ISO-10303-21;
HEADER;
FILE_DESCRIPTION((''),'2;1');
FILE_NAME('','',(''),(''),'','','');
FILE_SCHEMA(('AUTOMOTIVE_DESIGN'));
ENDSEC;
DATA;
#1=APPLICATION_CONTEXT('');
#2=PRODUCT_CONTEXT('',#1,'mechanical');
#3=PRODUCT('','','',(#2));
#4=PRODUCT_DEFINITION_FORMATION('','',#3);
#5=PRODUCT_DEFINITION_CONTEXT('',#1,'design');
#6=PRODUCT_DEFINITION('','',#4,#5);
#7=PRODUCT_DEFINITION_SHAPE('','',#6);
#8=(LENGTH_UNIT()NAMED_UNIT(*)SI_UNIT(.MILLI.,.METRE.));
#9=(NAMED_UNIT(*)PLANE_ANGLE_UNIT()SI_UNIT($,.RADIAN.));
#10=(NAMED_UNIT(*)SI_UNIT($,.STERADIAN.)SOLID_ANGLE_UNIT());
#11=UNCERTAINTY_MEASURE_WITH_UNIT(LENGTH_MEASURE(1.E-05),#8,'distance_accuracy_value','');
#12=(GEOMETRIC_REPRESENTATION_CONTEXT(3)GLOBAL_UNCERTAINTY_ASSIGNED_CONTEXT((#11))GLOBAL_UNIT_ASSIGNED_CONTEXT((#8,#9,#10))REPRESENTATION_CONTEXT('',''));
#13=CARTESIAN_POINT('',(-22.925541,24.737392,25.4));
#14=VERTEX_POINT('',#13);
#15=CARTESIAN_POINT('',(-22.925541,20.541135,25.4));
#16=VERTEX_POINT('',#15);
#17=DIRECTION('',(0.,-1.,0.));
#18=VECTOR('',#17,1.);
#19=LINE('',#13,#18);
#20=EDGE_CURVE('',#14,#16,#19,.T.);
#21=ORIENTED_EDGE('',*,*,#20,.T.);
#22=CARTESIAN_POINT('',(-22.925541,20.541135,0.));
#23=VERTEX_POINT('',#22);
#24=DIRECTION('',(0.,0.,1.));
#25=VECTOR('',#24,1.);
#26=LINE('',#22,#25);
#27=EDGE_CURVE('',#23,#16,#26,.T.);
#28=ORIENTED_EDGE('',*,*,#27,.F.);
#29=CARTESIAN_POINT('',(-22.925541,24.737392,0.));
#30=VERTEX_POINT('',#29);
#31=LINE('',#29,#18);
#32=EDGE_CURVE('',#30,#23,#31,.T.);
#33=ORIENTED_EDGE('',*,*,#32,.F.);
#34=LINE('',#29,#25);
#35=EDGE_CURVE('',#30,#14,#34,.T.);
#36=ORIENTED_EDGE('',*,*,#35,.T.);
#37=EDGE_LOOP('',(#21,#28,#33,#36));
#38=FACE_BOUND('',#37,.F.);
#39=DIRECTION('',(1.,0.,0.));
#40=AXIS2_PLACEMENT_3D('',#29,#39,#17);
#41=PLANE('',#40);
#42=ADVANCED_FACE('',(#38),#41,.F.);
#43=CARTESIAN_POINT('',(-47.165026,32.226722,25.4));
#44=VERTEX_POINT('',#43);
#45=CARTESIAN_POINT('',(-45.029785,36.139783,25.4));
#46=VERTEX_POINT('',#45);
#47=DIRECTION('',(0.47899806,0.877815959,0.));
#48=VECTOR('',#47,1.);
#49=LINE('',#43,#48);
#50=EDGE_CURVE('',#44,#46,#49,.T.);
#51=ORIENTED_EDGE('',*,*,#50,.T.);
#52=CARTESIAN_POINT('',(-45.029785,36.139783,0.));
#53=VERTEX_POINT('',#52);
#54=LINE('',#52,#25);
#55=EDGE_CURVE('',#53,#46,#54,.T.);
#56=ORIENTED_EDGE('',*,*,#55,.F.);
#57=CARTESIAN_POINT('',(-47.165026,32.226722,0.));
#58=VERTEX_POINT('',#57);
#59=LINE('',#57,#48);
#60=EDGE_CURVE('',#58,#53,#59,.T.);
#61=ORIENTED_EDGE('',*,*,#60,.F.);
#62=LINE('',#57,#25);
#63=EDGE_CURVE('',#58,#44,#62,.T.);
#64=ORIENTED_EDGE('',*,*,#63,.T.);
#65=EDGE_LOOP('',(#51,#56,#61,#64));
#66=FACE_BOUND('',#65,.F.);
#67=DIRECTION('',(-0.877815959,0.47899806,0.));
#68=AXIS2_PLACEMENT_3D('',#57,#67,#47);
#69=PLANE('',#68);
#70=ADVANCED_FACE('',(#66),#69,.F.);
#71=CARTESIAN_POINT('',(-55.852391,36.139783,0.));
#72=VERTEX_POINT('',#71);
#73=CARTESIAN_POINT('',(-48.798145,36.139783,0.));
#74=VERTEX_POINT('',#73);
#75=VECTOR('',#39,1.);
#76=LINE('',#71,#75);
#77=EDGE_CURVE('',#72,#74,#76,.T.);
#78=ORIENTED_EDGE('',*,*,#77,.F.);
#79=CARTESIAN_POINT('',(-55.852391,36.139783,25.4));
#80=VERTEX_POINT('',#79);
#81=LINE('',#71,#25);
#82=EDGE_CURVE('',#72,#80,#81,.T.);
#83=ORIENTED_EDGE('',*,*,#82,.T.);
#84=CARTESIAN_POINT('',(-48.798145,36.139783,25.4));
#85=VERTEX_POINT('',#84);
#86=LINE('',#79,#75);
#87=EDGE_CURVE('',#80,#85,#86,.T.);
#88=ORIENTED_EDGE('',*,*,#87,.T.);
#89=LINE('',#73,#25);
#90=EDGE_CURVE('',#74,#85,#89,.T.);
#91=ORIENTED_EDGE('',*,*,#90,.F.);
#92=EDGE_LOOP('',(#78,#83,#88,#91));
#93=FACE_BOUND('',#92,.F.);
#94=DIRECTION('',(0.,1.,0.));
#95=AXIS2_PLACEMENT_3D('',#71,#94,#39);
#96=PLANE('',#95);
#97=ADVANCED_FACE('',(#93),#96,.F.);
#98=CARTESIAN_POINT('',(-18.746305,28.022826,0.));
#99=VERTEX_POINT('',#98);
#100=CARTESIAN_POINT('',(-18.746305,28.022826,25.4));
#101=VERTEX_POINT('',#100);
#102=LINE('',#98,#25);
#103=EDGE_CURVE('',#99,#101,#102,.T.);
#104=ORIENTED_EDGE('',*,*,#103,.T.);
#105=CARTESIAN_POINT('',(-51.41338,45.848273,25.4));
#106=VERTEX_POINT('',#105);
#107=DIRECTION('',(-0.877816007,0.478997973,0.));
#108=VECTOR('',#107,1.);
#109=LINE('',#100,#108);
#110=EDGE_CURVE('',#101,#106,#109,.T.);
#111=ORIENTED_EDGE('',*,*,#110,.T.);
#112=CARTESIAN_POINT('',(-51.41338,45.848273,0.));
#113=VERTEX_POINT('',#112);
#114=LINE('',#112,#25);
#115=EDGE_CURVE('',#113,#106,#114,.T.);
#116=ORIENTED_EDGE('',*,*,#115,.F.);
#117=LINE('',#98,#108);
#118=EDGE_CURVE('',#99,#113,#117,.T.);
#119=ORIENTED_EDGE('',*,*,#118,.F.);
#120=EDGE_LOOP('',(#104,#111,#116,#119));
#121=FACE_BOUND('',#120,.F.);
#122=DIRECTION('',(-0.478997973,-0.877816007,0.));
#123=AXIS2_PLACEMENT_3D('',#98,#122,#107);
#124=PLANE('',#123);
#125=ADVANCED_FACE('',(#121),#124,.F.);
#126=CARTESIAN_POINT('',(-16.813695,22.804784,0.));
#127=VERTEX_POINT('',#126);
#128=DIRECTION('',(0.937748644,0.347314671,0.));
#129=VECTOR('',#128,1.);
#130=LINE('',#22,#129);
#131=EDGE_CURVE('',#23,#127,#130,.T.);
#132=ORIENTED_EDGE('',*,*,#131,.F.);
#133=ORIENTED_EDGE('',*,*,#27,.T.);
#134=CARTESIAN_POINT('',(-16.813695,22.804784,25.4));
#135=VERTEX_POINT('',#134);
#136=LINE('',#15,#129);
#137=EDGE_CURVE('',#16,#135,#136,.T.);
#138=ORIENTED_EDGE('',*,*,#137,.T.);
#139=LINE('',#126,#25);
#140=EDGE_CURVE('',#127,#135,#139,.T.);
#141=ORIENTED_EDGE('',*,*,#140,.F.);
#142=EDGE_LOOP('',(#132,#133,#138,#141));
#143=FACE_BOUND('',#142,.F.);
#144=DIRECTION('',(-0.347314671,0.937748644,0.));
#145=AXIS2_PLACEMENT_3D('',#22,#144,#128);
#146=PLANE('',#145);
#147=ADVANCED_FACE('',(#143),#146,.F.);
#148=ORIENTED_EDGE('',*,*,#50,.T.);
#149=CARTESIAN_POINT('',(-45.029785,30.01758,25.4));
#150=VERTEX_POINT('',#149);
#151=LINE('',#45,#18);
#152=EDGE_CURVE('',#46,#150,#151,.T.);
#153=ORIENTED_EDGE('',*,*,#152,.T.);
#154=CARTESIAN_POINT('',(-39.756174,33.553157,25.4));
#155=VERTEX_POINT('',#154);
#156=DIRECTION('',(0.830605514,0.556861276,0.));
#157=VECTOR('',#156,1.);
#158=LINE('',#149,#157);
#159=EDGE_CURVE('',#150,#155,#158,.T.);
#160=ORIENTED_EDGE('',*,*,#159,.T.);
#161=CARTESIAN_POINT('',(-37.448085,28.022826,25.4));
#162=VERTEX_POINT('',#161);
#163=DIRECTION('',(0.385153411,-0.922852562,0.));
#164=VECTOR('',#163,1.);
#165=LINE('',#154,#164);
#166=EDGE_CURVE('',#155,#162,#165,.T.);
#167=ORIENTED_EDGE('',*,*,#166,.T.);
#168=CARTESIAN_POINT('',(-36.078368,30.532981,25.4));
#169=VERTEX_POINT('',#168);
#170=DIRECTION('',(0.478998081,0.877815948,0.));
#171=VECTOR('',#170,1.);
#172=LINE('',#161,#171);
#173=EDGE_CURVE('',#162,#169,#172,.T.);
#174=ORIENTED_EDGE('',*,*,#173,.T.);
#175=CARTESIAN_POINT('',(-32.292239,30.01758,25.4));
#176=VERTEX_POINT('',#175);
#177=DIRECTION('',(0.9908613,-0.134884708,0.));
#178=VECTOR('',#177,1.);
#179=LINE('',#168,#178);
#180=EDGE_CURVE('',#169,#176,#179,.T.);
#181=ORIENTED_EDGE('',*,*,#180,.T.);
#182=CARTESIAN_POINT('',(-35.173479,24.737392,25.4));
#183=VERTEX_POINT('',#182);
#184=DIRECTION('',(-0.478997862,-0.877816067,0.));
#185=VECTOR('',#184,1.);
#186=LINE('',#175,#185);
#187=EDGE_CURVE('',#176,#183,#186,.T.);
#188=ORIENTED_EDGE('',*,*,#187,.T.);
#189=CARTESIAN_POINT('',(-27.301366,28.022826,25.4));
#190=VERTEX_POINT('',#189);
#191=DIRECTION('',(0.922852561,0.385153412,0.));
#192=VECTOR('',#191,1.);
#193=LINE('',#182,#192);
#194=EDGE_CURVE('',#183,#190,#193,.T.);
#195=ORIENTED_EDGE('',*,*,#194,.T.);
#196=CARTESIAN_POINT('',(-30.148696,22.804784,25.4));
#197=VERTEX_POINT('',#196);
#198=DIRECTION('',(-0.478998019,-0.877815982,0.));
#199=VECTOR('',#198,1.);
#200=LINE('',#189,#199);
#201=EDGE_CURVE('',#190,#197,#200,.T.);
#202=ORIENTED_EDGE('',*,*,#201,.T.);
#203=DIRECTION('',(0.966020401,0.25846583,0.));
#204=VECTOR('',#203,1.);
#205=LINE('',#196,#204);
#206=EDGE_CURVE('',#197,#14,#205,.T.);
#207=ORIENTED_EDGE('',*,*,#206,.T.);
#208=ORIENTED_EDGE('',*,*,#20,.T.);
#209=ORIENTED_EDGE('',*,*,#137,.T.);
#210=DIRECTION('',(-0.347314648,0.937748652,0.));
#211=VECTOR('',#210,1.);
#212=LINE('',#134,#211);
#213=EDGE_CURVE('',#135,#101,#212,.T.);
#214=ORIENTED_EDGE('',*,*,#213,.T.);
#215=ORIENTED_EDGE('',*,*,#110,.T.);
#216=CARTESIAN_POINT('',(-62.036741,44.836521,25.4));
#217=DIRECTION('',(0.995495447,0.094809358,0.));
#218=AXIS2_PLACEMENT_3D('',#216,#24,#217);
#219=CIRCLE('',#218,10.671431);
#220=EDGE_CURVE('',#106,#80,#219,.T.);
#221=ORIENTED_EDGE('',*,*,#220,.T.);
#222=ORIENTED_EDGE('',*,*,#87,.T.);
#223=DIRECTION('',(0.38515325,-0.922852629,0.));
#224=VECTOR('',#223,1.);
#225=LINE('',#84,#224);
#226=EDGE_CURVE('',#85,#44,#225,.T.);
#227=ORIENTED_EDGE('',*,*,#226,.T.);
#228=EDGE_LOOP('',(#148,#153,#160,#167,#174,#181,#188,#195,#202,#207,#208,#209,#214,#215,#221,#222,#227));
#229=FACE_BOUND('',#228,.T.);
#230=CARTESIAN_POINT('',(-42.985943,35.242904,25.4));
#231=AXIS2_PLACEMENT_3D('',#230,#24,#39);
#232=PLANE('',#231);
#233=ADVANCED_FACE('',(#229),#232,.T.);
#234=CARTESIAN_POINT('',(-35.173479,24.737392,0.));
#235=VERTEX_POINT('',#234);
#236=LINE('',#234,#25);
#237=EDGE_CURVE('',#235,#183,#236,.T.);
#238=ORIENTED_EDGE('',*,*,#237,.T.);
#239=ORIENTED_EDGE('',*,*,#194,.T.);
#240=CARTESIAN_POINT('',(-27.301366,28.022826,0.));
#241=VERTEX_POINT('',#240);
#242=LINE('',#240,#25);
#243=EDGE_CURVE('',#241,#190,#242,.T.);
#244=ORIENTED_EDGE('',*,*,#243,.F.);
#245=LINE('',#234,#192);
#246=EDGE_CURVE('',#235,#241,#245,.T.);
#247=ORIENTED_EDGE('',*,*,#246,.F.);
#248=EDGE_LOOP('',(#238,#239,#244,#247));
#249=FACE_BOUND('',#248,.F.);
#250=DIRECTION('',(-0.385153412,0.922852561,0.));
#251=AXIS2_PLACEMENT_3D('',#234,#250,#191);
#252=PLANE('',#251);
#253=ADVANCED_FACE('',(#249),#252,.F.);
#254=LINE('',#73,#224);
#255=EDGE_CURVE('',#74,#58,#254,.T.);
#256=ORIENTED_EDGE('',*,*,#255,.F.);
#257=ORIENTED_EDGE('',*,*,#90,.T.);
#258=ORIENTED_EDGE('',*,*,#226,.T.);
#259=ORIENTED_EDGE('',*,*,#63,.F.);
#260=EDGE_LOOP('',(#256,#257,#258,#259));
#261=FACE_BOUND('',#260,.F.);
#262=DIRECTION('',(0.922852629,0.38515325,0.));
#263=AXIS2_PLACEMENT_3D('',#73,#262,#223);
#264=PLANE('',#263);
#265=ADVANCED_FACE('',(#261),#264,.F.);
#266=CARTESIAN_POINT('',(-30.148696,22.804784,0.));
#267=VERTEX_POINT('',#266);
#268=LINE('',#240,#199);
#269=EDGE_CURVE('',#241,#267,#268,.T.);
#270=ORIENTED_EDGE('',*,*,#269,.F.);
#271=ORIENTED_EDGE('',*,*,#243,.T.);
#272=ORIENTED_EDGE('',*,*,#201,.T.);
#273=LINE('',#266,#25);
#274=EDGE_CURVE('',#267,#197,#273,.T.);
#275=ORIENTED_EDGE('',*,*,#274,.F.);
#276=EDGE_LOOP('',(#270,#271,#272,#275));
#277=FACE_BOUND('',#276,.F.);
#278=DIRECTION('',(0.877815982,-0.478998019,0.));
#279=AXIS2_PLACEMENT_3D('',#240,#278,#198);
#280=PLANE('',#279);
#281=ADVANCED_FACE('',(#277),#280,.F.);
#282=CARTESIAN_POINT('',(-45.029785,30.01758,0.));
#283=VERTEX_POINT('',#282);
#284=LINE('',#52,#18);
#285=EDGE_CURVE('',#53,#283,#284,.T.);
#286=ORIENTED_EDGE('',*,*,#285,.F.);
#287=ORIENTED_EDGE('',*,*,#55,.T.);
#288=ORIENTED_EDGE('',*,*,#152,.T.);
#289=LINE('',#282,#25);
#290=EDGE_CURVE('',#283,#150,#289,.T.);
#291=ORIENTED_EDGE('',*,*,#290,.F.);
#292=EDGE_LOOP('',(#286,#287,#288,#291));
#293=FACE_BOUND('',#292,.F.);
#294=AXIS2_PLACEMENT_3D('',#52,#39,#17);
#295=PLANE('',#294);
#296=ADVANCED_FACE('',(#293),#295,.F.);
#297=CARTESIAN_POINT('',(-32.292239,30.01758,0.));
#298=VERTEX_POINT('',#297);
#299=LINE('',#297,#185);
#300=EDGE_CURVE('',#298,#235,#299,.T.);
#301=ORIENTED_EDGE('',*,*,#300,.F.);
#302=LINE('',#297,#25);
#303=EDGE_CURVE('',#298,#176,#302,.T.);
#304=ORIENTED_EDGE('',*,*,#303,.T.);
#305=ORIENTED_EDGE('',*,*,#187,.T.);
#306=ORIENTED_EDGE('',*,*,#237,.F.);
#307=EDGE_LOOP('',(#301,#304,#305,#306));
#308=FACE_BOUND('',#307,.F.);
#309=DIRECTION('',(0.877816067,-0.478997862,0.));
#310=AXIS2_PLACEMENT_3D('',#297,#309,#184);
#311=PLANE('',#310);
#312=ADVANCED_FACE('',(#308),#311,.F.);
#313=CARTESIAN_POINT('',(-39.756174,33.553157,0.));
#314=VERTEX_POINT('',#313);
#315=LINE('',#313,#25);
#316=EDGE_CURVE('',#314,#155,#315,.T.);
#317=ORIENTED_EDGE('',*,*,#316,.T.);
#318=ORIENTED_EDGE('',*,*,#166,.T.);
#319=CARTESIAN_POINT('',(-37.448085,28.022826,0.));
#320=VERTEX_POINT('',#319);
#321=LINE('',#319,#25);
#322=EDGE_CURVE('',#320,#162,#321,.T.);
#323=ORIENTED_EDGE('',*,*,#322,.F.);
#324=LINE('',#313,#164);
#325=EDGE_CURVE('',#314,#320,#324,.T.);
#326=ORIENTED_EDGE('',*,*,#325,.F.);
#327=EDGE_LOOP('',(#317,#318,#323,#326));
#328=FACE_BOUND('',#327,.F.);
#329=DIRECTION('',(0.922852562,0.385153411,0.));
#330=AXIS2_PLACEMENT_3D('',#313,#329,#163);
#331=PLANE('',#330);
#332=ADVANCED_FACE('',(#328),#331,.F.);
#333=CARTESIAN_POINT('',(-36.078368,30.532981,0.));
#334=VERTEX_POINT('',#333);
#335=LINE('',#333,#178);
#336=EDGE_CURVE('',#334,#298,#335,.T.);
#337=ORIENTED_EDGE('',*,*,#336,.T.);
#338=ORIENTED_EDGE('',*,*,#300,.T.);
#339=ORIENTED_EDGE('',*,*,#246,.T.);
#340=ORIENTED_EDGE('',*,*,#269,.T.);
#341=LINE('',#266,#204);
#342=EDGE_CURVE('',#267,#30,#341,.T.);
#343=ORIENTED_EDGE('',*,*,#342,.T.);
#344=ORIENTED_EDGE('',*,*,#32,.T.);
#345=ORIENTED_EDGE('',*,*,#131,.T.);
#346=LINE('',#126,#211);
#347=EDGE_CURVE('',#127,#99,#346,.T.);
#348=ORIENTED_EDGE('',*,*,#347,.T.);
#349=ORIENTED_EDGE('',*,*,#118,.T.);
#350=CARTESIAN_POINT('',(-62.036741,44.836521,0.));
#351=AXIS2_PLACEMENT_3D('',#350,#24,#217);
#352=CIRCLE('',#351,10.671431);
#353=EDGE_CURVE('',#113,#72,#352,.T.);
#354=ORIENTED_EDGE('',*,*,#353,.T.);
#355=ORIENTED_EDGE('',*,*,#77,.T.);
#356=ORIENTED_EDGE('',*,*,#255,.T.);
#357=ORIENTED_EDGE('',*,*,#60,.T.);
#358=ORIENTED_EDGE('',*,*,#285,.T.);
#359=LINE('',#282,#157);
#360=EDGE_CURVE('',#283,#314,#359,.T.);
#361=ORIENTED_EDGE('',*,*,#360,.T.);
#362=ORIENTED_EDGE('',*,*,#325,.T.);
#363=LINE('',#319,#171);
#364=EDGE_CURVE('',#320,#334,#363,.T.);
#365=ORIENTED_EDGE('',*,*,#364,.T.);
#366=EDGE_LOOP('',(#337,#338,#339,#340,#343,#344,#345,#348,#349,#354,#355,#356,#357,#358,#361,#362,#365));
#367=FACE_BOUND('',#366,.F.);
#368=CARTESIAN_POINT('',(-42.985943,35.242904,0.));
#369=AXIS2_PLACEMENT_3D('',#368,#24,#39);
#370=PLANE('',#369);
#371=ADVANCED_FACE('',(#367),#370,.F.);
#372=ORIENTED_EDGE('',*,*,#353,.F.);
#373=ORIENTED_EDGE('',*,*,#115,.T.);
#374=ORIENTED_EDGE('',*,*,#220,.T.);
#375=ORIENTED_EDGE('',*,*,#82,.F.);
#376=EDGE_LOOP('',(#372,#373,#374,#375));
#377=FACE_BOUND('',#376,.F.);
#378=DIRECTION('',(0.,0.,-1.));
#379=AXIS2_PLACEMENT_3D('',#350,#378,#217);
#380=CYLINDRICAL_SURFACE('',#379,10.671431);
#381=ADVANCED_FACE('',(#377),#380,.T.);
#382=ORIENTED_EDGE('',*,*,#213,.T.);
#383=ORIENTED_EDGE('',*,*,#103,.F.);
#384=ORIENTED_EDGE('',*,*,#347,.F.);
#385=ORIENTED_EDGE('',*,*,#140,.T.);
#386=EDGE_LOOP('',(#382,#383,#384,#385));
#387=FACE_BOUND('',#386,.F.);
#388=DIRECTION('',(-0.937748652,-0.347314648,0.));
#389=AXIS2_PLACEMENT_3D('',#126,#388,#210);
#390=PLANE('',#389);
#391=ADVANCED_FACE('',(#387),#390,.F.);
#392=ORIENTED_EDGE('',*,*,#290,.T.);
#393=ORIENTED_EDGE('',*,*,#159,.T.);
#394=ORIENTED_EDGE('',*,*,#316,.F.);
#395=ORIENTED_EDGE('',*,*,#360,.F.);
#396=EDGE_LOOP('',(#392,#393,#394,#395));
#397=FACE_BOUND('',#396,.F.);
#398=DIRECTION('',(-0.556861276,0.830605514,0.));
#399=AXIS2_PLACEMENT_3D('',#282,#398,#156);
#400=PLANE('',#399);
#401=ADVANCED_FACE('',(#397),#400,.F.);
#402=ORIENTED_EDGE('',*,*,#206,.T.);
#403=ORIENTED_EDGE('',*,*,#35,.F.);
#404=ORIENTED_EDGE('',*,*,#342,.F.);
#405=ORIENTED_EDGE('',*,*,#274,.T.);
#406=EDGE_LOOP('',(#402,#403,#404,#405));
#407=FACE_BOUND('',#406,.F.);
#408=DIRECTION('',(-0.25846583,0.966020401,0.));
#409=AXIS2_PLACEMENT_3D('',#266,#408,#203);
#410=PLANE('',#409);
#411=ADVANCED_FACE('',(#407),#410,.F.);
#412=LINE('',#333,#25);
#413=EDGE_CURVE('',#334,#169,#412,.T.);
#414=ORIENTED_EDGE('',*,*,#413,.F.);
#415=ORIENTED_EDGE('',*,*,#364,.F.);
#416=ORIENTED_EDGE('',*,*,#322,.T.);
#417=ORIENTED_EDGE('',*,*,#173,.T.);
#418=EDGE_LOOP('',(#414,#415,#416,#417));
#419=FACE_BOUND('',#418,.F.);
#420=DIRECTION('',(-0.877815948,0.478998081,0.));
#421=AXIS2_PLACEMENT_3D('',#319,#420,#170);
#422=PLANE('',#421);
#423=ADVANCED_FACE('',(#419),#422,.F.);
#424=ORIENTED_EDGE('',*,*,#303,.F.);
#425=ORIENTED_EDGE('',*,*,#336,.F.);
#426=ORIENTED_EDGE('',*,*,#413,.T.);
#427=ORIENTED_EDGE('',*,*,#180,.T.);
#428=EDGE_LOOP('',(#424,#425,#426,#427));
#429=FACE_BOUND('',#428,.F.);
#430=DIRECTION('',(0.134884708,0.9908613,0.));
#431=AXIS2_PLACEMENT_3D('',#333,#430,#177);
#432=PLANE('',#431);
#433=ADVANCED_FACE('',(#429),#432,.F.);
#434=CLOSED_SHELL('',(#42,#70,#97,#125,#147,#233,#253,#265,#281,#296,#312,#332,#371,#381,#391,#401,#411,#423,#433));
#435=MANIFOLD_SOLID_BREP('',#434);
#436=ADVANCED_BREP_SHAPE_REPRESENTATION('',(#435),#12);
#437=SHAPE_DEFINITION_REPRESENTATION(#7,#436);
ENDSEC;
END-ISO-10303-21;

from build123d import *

# Parameters (mm, degrees)
F1_DEPTH = 25.4


with BuildPart() as f1:
    # F0 (on Top) → F1 (new body)
    with BuildSketch(Plane.XY):
        with BuildLine():
            ThreePointArc((-51.41338, 45.848273), (-71.741817, 49.273971), (-55.852391, 36.139783))
            Line((-55.852391, 36.139783), (-53.533264, 36.139783))
            Line((-53.533264, 36.139783), (-48.798145, 36.139783))
            Line((-48.798145, 36.139783), (-47.165026, 32.226722))
            Line((-47.165026, 32.226722), (-45.029785, 36.139783))
            Line((-45.029785, 36.139783), (-45.029785, 30.01758))
            Line((-45.029785, 30.01758), (-39.756174, 33.553157))
            Line((-39.756174, 33.553157), (-37.448085, 28.022826))
            Line((-37.448085, 28.022826), (-36.078368, 30.532981))
            Line((-36.078368, 30.532981), (-32.292239, 30.01758))
            Line((-32.292239, 30.01758), (-35.173479, 24.737392))
            Line((-35.173479, 24.737392), (-27.301366, 28.022826))
            Line((-27.301366, 28.022826), (-30.148696, 22.804784))
            Line((-30.148696, 22.804784), (-22.925541, 24.737392))
            Line((-22.925541, 24.737392), (-22.925541, 20.541135))
            Line((-22.925541, 20.541135), (-16.813695, 22.804784))
            Line((-16.813695, 22.804784), (-18.746305, 28.022826))
            Line((-18.746305, 28.022826), (-51.41338, 45.848273))
        make_face()
    extrude(amount=F1_DEPTH)


solid = f1.part
